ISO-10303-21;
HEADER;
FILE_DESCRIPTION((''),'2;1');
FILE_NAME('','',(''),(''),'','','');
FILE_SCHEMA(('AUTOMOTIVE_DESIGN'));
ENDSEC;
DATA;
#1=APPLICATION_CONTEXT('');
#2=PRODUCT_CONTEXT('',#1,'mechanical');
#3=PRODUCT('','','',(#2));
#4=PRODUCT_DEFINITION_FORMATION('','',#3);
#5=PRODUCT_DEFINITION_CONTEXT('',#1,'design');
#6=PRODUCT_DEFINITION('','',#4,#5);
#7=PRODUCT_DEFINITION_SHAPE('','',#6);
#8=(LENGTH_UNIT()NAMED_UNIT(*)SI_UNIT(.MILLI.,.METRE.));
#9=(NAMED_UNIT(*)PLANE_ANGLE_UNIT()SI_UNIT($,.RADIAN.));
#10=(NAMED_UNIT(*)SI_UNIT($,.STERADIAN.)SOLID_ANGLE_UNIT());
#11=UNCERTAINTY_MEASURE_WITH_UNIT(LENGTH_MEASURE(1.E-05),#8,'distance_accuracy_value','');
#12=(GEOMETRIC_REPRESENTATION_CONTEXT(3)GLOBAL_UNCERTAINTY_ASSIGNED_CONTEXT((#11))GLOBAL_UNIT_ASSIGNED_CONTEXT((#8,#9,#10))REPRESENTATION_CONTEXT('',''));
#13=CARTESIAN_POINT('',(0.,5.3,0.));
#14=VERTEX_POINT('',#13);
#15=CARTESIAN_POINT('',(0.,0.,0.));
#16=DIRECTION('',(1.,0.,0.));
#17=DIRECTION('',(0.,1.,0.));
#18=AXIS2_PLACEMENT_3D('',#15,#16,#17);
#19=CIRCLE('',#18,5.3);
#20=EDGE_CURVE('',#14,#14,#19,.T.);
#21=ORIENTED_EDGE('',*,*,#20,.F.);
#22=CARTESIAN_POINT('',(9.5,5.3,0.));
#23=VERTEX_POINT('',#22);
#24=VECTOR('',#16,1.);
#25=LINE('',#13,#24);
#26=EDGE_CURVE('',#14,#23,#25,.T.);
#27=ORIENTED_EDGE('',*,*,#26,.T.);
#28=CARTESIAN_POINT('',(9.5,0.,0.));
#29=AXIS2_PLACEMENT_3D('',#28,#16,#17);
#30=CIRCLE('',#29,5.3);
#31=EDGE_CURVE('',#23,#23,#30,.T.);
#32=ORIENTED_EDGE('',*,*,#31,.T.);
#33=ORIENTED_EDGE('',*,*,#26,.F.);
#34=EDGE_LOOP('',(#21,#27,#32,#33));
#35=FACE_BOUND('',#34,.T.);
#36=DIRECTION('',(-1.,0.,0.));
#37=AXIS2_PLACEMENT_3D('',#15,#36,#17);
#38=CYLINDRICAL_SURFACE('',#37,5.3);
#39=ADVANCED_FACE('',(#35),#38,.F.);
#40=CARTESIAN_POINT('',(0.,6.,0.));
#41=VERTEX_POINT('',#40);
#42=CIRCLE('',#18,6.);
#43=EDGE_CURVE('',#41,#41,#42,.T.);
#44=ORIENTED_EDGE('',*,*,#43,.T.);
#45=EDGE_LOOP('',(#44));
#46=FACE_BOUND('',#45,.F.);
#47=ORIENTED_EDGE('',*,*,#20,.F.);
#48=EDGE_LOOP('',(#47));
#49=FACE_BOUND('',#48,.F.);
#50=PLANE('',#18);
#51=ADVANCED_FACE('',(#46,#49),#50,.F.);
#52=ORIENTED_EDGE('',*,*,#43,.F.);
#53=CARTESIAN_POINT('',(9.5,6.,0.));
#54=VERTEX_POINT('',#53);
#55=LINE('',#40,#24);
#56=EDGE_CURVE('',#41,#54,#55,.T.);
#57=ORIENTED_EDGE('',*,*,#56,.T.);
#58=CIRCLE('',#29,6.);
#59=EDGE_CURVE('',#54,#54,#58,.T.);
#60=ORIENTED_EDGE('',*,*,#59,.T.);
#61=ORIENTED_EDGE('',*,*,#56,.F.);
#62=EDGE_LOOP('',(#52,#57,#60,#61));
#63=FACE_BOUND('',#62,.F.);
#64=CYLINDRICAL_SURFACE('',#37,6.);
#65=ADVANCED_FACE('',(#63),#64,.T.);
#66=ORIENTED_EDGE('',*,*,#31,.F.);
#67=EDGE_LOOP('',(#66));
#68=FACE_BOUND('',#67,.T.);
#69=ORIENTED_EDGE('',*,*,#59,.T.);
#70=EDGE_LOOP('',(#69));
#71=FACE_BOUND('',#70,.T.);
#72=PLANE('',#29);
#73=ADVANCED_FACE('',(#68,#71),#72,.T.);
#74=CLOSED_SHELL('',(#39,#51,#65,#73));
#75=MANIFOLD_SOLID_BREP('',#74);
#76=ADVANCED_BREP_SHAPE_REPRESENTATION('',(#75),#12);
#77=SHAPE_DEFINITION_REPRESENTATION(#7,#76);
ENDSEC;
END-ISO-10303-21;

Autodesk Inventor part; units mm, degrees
ref_plane "YZ Plane" through (0, 0, 0) normal (1, 0, 0) x (0, 1, 0)
ref_plane "XZ Plane" through (0, 0, 0) normal (0, 1, 0) x (-1, 0, 0)
ref_plane "XY Plane" through (0, 0, 0) normal (0, 0, 1) x (1, 0, 0)
sketch "スケッチ1" plane through (0, 0, 0) normal (1, 0, 0) x (0, 1, 0)
  circle A0 centre (0, 0) radius 5.3
  circle A1 centre (0, 0) radius 6
  dimension "d0" = 10.6
  dimension "d1" = 12
extrude "押し出し1" add sketch "スケッチ1" along normal blind 9.5
properties part number "belt_liner_v1_3DP_spesa-1" material "ABS プラスチック"
